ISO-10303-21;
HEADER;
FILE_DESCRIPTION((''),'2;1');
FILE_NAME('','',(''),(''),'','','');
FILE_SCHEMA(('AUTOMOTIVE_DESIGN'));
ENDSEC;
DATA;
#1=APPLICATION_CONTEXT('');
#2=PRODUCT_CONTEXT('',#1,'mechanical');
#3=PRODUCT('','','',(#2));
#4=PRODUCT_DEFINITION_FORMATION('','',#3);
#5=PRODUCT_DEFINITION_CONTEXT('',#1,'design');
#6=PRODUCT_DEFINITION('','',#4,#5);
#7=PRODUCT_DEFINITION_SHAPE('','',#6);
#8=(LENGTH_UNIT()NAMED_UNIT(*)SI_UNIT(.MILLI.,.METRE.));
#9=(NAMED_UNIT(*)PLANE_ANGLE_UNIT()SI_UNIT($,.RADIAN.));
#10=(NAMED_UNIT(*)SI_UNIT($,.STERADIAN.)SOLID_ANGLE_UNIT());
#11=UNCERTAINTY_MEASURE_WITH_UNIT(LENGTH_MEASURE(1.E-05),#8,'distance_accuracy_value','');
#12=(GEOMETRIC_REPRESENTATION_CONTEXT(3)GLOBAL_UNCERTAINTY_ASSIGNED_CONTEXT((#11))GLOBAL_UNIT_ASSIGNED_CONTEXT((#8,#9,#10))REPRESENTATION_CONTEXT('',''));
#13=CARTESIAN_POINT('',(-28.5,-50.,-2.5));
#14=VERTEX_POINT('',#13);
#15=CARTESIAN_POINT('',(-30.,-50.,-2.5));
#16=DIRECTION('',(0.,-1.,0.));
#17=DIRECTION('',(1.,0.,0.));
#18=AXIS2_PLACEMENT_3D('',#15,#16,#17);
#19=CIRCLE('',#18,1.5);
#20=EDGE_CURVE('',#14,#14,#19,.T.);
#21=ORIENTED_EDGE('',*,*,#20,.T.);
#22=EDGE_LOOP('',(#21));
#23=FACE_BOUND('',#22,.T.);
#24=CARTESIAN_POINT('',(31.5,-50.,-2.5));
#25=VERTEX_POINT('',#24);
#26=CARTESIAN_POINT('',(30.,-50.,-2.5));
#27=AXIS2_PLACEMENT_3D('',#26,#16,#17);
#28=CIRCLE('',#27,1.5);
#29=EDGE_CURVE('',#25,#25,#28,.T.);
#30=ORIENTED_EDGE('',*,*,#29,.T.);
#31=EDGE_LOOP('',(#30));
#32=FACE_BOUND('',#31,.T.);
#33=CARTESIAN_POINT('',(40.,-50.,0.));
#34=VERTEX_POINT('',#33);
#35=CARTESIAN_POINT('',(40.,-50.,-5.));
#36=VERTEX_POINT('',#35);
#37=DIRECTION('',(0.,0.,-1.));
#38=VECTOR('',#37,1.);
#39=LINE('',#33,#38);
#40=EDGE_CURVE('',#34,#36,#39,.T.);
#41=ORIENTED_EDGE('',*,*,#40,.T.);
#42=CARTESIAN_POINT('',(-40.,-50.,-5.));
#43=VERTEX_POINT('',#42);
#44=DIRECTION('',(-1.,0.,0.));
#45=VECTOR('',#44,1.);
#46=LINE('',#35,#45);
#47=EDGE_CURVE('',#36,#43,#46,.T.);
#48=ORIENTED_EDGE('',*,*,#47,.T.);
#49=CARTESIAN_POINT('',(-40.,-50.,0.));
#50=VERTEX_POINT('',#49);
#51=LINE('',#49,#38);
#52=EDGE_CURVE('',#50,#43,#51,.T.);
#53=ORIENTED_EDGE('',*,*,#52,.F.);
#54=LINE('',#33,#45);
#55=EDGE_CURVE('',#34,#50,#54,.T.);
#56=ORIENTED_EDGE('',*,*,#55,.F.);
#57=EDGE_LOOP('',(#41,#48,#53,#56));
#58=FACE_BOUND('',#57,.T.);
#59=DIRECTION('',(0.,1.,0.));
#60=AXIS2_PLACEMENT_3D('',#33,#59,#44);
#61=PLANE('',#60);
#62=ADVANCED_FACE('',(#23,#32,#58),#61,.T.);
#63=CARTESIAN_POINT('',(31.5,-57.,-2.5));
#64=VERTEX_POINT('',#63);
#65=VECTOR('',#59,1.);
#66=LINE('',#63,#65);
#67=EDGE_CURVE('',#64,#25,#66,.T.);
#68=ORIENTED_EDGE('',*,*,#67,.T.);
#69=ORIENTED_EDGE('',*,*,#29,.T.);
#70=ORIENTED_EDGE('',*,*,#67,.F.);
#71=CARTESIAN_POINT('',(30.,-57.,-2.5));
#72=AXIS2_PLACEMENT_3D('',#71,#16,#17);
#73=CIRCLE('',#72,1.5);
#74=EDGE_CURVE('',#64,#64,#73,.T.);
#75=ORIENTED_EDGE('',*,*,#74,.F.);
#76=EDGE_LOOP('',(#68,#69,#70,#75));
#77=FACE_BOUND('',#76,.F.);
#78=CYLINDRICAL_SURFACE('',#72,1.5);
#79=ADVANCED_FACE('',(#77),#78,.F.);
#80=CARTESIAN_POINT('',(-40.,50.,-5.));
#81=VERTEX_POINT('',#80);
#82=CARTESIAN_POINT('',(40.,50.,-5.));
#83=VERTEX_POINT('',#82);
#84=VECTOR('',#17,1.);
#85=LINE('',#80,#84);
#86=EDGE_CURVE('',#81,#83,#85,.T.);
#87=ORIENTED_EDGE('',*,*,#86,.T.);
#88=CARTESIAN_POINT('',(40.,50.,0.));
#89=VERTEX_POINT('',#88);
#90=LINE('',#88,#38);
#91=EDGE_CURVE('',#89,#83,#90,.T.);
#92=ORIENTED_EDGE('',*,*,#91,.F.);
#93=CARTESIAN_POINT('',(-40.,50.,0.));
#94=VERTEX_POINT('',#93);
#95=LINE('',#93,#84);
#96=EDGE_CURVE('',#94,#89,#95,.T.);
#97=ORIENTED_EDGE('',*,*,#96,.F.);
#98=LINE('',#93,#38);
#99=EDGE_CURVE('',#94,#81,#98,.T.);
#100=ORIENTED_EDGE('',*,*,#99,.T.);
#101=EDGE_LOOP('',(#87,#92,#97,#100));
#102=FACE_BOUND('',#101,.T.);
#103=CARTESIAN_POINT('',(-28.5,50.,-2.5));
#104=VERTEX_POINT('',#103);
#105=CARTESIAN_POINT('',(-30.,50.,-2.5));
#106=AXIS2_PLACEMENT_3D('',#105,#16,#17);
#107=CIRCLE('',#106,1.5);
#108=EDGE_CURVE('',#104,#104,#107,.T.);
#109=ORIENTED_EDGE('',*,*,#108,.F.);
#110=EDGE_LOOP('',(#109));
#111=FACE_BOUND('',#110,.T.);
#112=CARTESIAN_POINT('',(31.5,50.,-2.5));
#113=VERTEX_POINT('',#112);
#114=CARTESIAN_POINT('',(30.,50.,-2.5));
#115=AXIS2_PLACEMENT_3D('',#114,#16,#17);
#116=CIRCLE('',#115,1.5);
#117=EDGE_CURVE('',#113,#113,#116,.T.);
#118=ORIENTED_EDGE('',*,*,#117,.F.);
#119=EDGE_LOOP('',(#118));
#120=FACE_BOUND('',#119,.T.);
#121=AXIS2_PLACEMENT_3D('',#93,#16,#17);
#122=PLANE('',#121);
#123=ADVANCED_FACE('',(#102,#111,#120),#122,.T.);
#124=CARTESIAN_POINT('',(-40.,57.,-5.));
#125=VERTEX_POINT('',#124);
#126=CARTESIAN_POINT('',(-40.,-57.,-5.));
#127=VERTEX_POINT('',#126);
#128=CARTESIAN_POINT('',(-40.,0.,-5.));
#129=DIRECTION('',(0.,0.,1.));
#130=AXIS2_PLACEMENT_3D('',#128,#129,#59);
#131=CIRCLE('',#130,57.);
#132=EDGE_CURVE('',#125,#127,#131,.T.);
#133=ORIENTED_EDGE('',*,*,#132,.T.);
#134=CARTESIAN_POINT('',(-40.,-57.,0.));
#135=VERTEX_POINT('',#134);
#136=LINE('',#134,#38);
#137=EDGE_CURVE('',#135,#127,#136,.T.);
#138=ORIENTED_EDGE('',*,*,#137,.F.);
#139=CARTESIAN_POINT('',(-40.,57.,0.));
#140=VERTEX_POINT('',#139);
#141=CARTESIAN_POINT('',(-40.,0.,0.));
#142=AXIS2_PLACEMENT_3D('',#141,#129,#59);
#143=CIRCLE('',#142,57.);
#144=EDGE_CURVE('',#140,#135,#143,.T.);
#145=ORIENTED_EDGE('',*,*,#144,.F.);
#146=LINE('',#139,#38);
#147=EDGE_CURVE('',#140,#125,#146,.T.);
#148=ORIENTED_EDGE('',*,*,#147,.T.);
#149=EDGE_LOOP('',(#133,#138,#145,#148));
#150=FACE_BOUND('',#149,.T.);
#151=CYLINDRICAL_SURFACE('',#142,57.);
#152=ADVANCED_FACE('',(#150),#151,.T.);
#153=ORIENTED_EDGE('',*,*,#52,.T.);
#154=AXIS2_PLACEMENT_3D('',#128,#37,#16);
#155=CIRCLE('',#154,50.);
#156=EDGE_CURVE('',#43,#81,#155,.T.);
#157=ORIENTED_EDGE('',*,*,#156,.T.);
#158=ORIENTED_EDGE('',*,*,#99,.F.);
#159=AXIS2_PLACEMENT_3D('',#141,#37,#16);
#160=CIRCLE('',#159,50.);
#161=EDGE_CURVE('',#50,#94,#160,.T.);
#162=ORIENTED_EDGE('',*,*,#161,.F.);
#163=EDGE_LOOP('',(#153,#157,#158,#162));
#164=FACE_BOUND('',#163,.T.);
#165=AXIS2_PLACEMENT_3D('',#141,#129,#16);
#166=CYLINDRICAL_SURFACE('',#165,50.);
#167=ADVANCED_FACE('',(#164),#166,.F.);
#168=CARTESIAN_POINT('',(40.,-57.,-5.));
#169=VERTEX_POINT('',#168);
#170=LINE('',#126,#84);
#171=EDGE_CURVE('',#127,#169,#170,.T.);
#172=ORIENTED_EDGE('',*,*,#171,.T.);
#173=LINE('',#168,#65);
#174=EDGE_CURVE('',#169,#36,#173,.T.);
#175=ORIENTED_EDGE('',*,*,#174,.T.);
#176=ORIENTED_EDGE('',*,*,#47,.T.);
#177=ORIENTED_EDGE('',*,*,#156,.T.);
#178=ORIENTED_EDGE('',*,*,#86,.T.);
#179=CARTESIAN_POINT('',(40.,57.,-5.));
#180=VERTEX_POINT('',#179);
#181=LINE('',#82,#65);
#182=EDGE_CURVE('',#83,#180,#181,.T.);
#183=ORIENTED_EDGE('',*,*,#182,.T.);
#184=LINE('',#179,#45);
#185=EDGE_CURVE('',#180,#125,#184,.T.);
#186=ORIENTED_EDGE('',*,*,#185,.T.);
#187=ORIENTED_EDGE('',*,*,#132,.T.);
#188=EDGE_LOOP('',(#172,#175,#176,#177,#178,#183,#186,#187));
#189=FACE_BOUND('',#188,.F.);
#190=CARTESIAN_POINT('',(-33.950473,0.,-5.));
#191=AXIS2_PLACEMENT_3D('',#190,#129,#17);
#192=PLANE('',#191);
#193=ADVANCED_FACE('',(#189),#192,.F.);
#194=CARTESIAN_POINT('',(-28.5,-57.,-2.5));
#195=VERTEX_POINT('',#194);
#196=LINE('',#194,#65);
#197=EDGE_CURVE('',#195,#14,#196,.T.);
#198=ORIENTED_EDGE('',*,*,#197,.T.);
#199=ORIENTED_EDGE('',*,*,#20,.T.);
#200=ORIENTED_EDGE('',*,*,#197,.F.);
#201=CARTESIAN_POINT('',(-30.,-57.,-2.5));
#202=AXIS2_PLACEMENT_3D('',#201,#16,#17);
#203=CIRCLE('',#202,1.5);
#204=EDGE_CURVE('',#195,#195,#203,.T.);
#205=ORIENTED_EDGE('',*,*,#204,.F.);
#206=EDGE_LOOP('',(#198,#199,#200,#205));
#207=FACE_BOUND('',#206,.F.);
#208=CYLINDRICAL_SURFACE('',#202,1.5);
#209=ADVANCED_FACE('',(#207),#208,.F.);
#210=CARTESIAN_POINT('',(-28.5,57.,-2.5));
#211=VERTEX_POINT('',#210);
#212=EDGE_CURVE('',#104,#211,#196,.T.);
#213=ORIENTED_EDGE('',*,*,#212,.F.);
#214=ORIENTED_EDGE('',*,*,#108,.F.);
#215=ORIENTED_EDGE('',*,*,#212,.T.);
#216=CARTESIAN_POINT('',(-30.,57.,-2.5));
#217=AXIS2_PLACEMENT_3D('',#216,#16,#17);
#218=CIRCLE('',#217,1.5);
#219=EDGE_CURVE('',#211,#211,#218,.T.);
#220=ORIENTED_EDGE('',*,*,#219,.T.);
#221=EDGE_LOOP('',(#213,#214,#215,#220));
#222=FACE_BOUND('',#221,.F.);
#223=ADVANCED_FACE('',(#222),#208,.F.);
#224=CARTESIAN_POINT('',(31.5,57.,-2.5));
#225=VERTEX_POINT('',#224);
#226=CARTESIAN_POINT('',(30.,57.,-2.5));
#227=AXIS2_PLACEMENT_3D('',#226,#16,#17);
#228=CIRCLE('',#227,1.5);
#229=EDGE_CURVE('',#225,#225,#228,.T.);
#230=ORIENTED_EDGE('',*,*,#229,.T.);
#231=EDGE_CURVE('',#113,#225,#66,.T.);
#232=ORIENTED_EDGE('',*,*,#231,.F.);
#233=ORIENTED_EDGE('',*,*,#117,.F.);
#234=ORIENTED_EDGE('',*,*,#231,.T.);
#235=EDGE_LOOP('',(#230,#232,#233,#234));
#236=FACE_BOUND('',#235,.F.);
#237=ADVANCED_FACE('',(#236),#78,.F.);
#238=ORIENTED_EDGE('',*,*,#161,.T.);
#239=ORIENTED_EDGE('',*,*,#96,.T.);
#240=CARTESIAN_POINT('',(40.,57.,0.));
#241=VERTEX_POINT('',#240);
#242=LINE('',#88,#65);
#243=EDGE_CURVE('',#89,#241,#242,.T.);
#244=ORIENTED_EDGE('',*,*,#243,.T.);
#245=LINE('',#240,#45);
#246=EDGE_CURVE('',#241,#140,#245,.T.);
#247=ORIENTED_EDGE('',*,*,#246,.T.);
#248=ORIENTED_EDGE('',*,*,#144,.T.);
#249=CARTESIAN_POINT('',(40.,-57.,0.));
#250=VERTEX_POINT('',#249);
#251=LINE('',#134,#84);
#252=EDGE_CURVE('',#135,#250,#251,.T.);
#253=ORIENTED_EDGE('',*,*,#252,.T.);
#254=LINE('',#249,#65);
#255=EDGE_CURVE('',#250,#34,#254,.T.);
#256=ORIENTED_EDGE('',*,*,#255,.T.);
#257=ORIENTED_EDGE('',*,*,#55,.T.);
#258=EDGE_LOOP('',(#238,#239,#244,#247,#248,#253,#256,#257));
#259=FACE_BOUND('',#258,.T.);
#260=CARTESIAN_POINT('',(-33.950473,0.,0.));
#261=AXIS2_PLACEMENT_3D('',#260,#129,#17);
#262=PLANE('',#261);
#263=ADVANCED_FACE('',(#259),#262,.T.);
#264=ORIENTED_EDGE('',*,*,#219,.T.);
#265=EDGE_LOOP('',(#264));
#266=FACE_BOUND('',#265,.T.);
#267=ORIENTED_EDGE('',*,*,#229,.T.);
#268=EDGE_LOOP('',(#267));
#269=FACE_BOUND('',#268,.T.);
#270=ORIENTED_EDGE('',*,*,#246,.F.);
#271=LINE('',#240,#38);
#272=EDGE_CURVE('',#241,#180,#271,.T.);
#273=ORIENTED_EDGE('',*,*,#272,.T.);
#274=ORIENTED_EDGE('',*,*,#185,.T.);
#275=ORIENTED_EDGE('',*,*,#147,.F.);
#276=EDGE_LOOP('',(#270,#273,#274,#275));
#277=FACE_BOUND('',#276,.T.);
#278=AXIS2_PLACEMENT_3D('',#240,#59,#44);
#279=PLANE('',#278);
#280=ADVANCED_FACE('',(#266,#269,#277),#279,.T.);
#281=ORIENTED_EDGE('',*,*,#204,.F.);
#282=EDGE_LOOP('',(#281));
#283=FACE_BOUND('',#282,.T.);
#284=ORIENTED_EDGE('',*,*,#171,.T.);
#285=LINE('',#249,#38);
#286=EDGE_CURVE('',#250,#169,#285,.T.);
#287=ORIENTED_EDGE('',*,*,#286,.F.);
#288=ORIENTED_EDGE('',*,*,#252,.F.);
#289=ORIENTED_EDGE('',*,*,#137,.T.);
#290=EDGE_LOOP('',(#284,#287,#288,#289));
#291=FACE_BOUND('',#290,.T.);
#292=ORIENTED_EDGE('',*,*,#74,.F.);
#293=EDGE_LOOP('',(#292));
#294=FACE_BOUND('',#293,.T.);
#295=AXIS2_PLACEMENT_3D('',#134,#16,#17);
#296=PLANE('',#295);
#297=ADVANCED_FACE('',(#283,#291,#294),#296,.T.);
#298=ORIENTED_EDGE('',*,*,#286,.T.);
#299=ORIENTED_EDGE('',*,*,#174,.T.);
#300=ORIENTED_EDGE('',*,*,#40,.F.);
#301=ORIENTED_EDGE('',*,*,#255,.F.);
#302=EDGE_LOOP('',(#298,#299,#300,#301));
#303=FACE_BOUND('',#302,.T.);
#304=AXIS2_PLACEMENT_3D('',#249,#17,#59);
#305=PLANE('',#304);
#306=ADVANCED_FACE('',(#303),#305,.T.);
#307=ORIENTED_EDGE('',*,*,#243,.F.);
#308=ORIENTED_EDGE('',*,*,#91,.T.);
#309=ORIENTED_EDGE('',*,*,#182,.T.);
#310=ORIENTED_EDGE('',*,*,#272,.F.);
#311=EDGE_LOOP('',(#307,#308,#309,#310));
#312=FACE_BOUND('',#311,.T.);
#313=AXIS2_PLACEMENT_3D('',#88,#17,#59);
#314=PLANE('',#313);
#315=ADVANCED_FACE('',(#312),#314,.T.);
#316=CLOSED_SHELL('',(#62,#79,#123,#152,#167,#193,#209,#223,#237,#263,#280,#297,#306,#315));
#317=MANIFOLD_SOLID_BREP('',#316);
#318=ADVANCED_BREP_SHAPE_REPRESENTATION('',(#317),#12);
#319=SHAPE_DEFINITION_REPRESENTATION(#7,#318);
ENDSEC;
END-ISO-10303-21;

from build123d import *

# Parameters (mm, degrees)
F1_DEPTH = 5
F2_R     = 1.5
F3_DEPTH = 150


with BuildPart() as f1:
    # F0 (on Top) → F1 (new body)
    with BuildSketch(Plane.XY):
        with BuildLine():
            Line((40, -57), (40, -50))
            Line((40, -50), (-40, -50))
            ThreePointArc((-40, -50), (-90, 0), (-40, 50))
            Line((-40, 50), (40, 50))
            Line((40, 50), (40, 57))
            Line((40, 57), (-40, 57))
            ThreePointArc((-40, 57), (-97, 0), (-40, -57))
            Line((-40, -57), (40, -57))
        make_face()
    extrude(amount=-F1_DEPTH)

    # F2 (on face) → F3 (cut)
    with BuildSketch(Plane.XZ.offset(57)):
        with Locations((-30, -2.5)):
            Circle(F2_R)
        with Locations((30, -2.5)):
            Circle(F2_R)
    extrude(amount=-F3_DEPTH, mode=Mode.SUBTRACT)


solid = f1.part
